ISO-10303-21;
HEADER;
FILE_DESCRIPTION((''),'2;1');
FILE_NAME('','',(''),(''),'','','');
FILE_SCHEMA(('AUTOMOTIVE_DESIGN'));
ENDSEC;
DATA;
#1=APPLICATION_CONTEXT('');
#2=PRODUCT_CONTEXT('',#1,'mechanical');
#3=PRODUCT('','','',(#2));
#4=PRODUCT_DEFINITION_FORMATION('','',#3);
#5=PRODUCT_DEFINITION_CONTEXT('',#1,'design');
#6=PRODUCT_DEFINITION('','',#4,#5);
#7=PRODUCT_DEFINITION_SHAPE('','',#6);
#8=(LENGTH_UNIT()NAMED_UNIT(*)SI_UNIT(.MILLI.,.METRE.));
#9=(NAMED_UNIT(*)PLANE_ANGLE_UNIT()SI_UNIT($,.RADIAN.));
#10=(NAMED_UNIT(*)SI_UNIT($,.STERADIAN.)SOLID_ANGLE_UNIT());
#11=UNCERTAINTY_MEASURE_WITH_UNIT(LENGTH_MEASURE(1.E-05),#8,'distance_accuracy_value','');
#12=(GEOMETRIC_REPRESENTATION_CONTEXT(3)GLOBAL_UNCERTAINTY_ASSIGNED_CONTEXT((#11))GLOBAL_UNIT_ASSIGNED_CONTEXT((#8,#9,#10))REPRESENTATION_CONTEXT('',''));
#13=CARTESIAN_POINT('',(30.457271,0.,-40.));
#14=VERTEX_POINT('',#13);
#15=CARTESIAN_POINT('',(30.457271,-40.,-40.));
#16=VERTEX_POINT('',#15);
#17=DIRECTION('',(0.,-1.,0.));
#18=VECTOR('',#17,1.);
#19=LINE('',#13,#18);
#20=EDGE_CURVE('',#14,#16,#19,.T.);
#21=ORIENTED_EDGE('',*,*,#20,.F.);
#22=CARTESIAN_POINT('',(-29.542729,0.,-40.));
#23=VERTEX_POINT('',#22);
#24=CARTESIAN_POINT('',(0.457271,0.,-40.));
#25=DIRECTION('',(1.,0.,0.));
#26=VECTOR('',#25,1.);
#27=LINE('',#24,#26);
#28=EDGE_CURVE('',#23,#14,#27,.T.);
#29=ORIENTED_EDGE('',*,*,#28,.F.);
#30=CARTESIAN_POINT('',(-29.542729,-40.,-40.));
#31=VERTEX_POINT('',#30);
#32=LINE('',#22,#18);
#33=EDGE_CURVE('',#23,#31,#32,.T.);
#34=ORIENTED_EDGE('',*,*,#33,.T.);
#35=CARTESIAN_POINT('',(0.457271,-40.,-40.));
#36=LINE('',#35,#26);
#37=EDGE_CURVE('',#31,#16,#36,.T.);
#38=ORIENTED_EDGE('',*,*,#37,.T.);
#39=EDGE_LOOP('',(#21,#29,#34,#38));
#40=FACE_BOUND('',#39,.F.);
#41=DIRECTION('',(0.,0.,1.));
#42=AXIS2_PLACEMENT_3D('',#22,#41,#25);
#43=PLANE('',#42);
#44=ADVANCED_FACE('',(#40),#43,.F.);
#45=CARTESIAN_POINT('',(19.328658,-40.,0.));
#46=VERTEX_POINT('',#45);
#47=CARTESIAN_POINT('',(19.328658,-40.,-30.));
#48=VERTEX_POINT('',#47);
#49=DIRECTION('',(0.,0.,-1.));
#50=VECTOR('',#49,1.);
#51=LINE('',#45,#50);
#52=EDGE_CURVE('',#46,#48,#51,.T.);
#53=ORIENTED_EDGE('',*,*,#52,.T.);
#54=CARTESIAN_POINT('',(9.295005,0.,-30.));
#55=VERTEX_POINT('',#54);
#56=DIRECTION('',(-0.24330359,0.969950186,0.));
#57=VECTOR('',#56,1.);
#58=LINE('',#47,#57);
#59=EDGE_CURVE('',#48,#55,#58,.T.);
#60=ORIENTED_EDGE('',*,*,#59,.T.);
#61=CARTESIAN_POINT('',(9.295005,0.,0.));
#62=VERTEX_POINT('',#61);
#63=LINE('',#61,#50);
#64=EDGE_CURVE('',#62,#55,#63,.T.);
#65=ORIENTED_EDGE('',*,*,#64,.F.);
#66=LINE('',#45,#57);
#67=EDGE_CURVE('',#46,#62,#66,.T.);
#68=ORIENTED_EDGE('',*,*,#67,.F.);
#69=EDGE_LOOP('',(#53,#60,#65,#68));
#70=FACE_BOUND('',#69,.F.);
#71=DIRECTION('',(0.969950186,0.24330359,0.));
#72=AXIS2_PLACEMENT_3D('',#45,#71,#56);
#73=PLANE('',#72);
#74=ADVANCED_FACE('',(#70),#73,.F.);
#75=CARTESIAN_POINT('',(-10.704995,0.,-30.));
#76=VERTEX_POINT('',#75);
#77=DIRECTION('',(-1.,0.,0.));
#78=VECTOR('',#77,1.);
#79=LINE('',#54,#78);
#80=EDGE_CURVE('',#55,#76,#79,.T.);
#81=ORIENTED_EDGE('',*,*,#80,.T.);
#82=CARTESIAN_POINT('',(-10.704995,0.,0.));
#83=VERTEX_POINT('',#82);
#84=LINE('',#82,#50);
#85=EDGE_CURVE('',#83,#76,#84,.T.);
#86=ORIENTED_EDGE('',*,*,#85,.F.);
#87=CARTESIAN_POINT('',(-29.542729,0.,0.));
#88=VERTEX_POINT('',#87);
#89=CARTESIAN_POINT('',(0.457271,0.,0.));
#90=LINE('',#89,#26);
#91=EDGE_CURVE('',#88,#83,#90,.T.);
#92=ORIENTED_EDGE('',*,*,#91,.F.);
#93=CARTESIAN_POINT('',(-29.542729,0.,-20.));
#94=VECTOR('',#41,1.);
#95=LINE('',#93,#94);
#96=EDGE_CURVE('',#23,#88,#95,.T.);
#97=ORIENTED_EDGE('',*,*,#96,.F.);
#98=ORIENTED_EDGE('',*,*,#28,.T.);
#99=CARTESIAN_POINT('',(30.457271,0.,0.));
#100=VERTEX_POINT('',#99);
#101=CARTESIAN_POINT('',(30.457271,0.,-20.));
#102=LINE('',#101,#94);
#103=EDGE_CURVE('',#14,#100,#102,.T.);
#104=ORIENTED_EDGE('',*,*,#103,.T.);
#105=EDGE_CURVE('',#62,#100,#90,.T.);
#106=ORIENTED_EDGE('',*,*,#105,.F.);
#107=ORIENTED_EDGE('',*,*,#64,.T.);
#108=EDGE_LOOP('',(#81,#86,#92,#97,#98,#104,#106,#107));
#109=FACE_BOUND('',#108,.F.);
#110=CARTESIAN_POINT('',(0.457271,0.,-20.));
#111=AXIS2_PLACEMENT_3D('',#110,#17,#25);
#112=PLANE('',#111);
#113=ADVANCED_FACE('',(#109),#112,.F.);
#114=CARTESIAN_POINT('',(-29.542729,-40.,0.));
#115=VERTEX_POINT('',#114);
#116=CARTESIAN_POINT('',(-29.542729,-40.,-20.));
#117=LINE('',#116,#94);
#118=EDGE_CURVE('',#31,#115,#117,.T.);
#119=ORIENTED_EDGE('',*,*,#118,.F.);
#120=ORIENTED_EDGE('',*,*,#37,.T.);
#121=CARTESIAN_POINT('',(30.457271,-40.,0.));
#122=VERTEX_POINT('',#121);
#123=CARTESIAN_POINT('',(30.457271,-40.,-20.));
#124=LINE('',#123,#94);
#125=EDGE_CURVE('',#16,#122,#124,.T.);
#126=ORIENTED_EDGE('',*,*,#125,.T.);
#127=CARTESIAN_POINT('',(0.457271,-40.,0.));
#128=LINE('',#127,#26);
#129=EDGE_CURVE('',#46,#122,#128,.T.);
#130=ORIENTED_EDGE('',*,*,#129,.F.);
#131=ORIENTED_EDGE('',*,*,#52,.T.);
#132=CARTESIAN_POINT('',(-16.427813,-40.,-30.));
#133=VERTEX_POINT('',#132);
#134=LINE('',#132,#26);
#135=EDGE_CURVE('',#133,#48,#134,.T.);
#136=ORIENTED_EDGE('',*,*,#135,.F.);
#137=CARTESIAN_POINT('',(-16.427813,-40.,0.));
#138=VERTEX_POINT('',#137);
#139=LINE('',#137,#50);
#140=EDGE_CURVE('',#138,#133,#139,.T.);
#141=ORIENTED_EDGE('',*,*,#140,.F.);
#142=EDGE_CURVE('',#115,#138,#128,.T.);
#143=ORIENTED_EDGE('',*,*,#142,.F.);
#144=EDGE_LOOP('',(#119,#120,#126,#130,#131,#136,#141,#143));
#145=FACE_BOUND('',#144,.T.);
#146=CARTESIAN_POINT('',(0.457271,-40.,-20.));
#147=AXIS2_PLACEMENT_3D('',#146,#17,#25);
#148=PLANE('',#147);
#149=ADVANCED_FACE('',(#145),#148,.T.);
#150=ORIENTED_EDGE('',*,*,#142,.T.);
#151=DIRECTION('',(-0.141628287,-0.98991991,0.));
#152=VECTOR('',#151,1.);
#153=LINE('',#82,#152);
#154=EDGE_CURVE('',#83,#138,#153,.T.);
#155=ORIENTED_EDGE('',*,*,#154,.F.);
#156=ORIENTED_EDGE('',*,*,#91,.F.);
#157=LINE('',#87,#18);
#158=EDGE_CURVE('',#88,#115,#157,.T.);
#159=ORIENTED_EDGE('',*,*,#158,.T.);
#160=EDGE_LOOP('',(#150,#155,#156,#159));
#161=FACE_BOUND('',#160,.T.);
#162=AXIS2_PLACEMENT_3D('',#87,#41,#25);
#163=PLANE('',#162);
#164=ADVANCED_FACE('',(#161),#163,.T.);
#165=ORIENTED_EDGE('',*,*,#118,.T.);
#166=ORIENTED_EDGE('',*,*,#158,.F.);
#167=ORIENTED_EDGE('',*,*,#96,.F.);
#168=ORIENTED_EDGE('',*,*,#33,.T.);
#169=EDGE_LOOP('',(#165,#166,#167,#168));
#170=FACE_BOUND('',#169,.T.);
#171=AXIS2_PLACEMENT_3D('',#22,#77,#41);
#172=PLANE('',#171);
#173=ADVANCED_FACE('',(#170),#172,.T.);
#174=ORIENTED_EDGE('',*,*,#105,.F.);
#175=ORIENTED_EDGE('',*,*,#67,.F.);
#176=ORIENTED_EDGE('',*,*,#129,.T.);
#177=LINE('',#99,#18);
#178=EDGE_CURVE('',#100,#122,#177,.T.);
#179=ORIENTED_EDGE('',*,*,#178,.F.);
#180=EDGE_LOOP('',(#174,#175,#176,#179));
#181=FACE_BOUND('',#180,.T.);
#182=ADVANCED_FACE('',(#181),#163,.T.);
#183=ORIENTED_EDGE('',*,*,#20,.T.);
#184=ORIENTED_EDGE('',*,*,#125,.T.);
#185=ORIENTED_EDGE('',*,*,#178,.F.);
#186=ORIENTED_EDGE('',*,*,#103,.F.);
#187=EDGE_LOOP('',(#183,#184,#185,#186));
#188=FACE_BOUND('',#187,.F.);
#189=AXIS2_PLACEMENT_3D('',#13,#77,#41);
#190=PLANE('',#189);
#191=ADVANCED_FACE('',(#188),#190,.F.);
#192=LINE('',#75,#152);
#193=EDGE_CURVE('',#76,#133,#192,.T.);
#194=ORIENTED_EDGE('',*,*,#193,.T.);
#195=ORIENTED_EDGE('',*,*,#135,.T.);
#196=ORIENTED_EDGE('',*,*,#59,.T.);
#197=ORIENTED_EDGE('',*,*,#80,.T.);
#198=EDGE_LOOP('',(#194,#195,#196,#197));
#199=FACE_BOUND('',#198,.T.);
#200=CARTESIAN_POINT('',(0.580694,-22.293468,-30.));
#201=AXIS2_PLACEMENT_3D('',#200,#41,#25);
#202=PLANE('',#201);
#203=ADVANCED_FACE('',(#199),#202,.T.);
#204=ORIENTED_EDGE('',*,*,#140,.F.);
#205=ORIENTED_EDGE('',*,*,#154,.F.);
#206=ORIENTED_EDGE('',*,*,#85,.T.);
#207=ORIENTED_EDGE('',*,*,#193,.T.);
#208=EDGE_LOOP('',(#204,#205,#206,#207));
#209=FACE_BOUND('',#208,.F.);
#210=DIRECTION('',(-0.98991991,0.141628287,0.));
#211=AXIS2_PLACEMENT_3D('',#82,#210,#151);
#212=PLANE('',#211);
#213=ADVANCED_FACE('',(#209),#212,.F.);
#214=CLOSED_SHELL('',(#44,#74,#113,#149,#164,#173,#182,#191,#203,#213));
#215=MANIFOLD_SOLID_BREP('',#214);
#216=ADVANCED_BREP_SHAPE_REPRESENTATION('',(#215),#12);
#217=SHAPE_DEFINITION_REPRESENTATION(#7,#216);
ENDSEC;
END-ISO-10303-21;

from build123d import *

# Parameters (mm, degrees)
F0_W     = 60
F0_H     = 40
F1_DEPTH = 40
F3_DEPTH = 30


with BuildPart() as f1:
    # F0 (on Front) → F1 (new body)
    with BuildSketch(Plane.XZ):
        with Locations((0.457271, -20)):
            Rectangle(F0_W, F0_H)
    extrude(amount=F1_DEPTH)

    # F2 (on face) → F3 (cut)
    with BuildSketch(Plane.XY):
        Polygon((9.295005, 0), (-10.704995, 0), (-16.427813, -40), (19.328658, -40), align=None)
    extrude(amount=-F3_DEPTH, mode=Mode.SUBTRACT)


solid = f1.part
